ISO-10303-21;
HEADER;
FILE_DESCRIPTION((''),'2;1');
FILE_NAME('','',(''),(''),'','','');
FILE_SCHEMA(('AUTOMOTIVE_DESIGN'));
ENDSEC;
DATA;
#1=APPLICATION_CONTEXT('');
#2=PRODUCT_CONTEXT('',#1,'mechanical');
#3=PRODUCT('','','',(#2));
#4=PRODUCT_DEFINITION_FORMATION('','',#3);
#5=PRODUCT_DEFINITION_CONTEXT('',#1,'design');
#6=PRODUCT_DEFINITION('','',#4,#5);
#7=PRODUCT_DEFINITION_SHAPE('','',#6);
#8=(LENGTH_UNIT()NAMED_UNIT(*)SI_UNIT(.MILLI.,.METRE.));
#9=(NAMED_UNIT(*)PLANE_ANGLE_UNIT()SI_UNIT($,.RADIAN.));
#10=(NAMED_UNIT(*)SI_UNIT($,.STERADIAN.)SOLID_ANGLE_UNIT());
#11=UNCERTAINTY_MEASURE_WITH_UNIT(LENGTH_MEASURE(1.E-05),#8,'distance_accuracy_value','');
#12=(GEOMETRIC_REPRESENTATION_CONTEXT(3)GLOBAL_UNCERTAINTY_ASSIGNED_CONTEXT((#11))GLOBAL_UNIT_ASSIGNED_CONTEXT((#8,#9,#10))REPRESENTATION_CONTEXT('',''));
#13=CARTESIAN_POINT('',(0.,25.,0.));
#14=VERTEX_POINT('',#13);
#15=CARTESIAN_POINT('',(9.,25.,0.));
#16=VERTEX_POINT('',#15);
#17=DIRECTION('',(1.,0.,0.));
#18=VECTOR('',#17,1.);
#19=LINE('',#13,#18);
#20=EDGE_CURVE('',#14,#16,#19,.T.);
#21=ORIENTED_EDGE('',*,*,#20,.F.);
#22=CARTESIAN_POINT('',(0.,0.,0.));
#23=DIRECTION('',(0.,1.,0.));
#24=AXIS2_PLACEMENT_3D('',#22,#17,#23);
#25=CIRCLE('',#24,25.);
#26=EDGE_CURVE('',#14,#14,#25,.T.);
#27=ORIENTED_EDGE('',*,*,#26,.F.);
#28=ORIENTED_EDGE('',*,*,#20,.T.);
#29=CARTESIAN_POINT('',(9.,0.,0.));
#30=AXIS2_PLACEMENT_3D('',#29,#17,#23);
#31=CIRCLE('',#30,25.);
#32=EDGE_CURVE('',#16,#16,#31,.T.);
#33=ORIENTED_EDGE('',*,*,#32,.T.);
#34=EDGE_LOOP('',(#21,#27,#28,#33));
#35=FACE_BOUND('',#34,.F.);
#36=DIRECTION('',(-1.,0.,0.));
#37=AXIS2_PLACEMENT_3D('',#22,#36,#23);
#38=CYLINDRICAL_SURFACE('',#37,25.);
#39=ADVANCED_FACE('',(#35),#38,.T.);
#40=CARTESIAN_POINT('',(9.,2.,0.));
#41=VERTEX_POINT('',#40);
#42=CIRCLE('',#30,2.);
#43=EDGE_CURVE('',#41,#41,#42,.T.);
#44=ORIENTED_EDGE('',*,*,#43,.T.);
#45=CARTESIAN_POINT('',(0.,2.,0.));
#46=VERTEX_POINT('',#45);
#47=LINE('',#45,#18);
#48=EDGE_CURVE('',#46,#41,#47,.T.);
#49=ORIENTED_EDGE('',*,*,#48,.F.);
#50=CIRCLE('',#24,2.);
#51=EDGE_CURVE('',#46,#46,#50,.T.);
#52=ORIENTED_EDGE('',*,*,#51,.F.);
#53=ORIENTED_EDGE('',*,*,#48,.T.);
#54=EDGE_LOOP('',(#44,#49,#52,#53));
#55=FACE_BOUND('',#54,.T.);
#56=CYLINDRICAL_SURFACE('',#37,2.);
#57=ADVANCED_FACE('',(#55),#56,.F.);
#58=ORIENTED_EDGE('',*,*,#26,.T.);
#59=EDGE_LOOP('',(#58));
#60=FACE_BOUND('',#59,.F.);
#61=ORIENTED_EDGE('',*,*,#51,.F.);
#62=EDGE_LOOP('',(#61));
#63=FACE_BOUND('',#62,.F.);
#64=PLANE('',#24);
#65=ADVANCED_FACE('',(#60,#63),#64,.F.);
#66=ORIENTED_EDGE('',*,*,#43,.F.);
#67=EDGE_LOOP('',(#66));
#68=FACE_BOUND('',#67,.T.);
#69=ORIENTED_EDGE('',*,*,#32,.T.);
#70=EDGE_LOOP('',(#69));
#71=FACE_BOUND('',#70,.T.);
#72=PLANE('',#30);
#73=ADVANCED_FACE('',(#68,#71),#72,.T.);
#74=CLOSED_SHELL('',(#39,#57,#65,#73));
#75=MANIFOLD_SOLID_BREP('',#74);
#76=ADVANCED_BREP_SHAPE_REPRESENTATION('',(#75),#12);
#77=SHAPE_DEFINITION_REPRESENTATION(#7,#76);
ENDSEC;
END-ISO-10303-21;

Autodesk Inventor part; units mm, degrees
ref_plane "YZ Plane" through (0, 0, 0) normal (1, 0, 0) x (0, 1, 0)
ref_plane "XZ Plane" through (0, 0, 0) normal (0, 1, 0) x (-1, 0, 0)
ref_plane "XY Plane" through (0, 0, 0) normal (0, 0, 1) x (1, 0, 0)
sketch "Sketch1" plane through (0, 0, 0) normal (1, 0, 0) x (0, 1, 0)
  circle A0 centre (0, 0) radius 25
  circle A1 centre (0, 0) radius 2
  dimension "d0" = 50
  dimension "d1" = 4
extrude "Extrusion1" add sketch "Sketch1" along normal blind 9
properties part number "Wheel"
